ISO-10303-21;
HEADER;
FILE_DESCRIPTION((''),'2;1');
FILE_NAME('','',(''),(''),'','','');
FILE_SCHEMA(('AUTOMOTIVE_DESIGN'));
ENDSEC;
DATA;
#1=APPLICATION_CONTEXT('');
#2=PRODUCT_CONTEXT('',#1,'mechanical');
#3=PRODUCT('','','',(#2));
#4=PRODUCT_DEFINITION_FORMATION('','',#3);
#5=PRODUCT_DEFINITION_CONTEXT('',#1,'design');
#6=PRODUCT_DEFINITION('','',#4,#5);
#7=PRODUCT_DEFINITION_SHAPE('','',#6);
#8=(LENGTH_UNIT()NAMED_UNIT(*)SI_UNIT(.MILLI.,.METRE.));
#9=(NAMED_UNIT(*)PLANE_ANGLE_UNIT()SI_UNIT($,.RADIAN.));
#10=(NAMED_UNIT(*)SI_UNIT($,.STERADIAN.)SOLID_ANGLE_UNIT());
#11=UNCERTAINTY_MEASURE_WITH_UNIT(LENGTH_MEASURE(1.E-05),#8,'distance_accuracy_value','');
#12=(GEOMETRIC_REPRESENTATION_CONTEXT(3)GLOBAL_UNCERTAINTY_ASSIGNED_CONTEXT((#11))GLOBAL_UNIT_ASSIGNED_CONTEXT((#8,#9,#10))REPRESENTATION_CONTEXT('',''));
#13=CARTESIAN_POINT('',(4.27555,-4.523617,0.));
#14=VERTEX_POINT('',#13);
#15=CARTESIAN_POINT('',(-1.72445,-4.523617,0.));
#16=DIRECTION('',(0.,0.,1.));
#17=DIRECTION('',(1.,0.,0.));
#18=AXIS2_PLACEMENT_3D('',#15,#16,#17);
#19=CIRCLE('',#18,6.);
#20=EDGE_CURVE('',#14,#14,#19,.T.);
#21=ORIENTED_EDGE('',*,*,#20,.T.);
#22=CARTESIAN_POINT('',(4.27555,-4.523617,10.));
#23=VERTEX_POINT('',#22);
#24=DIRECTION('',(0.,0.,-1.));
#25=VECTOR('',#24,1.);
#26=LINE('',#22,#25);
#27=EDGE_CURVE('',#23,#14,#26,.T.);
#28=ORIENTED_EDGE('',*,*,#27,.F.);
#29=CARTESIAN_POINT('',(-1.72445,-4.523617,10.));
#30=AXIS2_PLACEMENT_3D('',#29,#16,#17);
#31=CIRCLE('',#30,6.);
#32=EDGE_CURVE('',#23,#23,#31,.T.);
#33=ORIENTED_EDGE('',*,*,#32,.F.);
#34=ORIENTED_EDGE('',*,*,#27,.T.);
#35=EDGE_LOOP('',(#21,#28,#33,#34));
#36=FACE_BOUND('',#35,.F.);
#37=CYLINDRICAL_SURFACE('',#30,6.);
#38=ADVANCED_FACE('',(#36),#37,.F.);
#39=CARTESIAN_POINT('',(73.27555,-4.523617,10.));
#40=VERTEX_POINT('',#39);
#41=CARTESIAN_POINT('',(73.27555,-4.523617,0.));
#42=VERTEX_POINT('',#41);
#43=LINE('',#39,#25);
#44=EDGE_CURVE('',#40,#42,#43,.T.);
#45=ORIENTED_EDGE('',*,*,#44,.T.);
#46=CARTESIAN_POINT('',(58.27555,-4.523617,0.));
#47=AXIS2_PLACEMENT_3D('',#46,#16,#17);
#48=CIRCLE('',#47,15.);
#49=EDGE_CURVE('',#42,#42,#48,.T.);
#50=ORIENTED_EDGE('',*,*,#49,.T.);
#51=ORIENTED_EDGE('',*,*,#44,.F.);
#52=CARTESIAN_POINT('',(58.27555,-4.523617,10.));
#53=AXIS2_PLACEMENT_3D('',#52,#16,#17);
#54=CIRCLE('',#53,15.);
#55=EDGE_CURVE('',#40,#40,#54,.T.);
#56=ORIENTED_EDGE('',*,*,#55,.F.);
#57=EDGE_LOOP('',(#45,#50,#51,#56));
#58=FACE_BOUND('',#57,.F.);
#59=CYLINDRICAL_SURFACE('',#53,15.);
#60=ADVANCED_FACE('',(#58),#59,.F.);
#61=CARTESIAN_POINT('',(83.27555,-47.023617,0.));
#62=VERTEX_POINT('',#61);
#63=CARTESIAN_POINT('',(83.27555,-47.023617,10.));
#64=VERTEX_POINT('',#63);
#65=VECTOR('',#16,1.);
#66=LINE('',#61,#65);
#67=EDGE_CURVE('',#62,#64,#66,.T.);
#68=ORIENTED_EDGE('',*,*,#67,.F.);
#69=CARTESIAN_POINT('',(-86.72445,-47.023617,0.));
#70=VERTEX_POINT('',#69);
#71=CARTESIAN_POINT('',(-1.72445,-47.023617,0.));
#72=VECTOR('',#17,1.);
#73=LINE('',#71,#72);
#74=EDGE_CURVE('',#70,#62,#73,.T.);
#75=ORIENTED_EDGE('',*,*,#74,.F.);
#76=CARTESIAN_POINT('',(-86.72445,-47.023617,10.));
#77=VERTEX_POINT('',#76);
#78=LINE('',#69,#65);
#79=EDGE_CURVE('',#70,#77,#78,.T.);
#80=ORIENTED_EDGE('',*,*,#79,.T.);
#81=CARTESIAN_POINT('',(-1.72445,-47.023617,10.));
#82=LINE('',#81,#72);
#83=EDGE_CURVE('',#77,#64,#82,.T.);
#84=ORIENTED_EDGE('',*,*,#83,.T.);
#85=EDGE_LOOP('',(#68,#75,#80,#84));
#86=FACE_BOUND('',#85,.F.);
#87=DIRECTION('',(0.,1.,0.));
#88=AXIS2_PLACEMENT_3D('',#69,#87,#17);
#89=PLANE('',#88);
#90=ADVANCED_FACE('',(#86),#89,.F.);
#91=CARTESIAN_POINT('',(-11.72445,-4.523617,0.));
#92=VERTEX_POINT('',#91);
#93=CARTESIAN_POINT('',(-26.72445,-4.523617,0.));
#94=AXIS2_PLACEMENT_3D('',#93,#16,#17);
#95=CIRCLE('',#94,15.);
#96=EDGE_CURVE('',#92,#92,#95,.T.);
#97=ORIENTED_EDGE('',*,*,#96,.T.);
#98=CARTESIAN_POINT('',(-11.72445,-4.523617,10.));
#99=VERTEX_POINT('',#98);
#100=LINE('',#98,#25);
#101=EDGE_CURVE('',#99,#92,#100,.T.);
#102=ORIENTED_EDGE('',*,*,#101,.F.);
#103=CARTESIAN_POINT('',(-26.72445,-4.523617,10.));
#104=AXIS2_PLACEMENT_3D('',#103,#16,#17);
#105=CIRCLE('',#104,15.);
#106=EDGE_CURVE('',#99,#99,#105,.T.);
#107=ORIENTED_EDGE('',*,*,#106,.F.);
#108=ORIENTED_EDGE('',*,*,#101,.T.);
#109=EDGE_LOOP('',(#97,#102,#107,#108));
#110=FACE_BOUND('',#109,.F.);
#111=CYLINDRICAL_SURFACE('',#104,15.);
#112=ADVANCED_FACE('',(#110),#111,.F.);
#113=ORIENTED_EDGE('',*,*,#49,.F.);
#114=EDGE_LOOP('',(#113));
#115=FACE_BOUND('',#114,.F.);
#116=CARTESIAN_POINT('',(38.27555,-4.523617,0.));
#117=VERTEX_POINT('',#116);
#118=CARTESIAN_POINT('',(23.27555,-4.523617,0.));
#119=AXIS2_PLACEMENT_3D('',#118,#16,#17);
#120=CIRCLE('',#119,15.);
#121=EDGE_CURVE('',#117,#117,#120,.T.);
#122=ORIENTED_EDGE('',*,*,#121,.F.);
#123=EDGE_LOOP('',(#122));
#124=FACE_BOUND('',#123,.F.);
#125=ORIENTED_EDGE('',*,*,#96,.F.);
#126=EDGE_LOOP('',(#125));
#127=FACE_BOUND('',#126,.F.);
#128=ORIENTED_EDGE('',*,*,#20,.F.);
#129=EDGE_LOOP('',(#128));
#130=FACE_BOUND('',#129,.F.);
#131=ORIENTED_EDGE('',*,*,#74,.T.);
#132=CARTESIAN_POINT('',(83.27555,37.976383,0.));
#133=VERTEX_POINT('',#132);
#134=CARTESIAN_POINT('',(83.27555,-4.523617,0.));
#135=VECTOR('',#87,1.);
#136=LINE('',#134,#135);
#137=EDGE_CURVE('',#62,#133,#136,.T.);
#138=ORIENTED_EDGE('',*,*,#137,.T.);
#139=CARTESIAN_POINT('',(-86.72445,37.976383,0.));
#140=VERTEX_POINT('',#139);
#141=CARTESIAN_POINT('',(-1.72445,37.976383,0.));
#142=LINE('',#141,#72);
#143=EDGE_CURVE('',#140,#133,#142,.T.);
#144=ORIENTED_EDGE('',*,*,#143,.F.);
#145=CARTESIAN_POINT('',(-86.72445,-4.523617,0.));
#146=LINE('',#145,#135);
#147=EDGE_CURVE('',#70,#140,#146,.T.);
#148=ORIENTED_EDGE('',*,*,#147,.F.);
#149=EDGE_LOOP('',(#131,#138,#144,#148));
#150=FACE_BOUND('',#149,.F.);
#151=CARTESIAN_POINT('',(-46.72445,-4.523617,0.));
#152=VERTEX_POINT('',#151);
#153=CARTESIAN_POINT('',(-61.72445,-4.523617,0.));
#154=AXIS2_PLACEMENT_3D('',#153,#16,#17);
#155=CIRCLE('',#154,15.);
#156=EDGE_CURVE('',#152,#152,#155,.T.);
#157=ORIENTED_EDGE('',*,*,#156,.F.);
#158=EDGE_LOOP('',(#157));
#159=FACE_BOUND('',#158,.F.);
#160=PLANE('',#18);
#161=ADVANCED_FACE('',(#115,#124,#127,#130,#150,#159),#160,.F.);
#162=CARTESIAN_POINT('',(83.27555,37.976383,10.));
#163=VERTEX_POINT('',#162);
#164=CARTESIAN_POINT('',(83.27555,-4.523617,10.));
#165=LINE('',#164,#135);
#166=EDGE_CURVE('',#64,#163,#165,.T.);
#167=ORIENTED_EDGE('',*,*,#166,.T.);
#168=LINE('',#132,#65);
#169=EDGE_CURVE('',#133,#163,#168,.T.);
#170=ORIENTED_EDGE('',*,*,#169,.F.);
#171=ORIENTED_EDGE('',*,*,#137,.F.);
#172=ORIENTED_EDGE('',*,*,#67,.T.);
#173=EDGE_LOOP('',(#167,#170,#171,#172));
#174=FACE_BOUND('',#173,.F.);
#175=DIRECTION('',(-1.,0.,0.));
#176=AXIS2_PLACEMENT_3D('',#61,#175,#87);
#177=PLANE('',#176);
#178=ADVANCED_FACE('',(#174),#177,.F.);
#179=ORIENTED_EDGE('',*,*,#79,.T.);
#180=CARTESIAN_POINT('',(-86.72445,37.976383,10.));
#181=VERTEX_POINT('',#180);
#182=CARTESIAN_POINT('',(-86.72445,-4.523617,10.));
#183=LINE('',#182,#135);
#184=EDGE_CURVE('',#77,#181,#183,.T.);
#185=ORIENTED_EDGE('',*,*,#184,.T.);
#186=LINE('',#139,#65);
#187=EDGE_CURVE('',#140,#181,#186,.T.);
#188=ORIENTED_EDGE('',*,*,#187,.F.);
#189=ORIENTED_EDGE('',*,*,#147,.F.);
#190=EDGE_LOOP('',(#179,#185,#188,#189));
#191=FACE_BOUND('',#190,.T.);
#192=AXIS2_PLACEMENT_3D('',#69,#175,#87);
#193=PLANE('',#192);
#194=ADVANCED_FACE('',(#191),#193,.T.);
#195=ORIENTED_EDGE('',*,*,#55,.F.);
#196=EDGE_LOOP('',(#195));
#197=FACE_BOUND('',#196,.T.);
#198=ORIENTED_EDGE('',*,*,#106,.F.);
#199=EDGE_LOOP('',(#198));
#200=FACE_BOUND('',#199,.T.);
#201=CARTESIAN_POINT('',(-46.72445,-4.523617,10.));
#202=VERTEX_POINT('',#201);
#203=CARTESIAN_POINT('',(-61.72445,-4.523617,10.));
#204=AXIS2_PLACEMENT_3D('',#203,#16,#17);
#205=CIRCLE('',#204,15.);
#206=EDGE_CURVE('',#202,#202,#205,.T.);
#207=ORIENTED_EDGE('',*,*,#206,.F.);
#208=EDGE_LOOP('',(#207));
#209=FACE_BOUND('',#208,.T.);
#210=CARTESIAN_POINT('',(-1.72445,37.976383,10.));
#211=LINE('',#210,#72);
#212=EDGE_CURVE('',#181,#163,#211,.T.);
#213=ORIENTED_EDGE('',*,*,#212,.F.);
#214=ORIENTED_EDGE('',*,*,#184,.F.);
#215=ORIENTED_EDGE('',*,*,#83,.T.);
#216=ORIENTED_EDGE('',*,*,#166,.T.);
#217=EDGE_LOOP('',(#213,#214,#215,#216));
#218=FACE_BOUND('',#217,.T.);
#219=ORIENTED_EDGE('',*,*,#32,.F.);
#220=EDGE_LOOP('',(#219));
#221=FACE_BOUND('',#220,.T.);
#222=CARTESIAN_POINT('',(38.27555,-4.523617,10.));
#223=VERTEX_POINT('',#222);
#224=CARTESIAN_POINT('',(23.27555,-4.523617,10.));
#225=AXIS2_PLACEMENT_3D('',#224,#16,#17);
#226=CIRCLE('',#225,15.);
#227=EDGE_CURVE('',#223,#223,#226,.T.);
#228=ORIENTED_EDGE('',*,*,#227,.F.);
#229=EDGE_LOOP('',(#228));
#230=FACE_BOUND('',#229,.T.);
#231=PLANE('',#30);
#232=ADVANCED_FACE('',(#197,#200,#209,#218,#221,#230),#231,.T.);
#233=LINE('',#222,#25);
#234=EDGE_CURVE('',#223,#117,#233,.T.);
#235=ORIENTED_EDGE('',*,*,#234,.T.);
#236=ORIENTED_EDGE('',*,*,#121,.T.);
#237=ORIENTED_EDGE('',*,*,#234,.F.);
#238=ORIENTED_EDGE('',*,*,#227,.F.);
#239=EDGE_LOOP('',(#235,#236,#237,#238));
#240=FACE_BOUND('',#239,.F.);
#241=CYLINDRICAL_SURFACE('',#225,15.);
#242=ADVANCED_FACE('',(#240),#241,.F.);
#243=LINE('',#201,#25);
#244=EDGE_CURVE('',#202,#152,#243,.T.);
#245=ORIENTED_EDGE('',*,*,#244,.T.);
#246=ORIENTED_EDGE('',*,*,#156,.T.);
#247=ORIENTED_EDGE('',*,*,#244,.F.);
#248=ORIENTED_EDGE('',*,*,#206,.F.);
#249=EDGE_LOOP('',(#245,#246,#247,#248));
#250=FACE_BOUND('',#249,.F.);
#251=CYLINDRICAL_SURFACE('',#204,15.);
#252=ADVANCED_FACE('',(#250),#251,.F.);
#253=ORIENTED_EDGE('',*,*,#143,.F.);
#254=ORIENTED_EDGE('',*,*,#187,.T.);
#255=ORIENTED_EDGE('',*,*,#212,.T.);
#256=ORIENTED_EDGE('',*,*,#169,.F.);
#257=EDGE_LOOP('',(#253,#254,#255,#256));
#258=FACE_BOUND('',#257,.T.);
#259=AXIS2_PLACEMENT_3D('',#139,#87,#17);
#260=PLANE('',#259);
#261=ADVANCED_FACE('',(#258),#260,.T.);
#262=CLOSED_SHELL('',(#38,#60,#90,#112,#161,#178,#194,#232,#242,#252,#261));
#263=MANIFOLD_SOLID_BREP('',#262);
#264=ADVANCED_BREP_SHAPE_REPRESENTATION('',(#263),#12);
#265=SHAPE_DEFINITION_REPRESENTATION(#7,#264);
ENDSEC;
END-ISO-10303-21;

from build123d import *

# Parameters (mm, degrees)
F0_W     = 170
F0_H     = 85
F1_DEPTH = 10
F2_R     = 15
F2_R_2   = 6
F3_DEPTH = 10.001


with BuildPart() as f1:
    # F0 (on Top) → F1 (new body)
    with BuildSketch(Plane.XY):
        with Locations((-1.72445, -4.523617)):
            Rectangle(F0_W, F0_H)
    extrude(amount=F1_DEPTH)

    # F2 (on face) → F3 (cut, through all)
    with BuildSketch(Plane.XY.offset(10)):
        with Locations((-61.72445, -4.523617)):
            Circle(F2_R)
        with Locations((-26.72445, -4.523617)):
            Circle(F2_R)
        with Locations((-1.72445, -4.523617)):
            Circle(F2_R_2)
        with Locations((23.27555, -4.523617)):
            Circle(F2_R)
        with Locations((58.27555, -4.523617)):
            Circle(F2_R)
    extrude(amount=-F3_DEPTH, mode=Mode.SUBTRACT)


solid = f1.part
